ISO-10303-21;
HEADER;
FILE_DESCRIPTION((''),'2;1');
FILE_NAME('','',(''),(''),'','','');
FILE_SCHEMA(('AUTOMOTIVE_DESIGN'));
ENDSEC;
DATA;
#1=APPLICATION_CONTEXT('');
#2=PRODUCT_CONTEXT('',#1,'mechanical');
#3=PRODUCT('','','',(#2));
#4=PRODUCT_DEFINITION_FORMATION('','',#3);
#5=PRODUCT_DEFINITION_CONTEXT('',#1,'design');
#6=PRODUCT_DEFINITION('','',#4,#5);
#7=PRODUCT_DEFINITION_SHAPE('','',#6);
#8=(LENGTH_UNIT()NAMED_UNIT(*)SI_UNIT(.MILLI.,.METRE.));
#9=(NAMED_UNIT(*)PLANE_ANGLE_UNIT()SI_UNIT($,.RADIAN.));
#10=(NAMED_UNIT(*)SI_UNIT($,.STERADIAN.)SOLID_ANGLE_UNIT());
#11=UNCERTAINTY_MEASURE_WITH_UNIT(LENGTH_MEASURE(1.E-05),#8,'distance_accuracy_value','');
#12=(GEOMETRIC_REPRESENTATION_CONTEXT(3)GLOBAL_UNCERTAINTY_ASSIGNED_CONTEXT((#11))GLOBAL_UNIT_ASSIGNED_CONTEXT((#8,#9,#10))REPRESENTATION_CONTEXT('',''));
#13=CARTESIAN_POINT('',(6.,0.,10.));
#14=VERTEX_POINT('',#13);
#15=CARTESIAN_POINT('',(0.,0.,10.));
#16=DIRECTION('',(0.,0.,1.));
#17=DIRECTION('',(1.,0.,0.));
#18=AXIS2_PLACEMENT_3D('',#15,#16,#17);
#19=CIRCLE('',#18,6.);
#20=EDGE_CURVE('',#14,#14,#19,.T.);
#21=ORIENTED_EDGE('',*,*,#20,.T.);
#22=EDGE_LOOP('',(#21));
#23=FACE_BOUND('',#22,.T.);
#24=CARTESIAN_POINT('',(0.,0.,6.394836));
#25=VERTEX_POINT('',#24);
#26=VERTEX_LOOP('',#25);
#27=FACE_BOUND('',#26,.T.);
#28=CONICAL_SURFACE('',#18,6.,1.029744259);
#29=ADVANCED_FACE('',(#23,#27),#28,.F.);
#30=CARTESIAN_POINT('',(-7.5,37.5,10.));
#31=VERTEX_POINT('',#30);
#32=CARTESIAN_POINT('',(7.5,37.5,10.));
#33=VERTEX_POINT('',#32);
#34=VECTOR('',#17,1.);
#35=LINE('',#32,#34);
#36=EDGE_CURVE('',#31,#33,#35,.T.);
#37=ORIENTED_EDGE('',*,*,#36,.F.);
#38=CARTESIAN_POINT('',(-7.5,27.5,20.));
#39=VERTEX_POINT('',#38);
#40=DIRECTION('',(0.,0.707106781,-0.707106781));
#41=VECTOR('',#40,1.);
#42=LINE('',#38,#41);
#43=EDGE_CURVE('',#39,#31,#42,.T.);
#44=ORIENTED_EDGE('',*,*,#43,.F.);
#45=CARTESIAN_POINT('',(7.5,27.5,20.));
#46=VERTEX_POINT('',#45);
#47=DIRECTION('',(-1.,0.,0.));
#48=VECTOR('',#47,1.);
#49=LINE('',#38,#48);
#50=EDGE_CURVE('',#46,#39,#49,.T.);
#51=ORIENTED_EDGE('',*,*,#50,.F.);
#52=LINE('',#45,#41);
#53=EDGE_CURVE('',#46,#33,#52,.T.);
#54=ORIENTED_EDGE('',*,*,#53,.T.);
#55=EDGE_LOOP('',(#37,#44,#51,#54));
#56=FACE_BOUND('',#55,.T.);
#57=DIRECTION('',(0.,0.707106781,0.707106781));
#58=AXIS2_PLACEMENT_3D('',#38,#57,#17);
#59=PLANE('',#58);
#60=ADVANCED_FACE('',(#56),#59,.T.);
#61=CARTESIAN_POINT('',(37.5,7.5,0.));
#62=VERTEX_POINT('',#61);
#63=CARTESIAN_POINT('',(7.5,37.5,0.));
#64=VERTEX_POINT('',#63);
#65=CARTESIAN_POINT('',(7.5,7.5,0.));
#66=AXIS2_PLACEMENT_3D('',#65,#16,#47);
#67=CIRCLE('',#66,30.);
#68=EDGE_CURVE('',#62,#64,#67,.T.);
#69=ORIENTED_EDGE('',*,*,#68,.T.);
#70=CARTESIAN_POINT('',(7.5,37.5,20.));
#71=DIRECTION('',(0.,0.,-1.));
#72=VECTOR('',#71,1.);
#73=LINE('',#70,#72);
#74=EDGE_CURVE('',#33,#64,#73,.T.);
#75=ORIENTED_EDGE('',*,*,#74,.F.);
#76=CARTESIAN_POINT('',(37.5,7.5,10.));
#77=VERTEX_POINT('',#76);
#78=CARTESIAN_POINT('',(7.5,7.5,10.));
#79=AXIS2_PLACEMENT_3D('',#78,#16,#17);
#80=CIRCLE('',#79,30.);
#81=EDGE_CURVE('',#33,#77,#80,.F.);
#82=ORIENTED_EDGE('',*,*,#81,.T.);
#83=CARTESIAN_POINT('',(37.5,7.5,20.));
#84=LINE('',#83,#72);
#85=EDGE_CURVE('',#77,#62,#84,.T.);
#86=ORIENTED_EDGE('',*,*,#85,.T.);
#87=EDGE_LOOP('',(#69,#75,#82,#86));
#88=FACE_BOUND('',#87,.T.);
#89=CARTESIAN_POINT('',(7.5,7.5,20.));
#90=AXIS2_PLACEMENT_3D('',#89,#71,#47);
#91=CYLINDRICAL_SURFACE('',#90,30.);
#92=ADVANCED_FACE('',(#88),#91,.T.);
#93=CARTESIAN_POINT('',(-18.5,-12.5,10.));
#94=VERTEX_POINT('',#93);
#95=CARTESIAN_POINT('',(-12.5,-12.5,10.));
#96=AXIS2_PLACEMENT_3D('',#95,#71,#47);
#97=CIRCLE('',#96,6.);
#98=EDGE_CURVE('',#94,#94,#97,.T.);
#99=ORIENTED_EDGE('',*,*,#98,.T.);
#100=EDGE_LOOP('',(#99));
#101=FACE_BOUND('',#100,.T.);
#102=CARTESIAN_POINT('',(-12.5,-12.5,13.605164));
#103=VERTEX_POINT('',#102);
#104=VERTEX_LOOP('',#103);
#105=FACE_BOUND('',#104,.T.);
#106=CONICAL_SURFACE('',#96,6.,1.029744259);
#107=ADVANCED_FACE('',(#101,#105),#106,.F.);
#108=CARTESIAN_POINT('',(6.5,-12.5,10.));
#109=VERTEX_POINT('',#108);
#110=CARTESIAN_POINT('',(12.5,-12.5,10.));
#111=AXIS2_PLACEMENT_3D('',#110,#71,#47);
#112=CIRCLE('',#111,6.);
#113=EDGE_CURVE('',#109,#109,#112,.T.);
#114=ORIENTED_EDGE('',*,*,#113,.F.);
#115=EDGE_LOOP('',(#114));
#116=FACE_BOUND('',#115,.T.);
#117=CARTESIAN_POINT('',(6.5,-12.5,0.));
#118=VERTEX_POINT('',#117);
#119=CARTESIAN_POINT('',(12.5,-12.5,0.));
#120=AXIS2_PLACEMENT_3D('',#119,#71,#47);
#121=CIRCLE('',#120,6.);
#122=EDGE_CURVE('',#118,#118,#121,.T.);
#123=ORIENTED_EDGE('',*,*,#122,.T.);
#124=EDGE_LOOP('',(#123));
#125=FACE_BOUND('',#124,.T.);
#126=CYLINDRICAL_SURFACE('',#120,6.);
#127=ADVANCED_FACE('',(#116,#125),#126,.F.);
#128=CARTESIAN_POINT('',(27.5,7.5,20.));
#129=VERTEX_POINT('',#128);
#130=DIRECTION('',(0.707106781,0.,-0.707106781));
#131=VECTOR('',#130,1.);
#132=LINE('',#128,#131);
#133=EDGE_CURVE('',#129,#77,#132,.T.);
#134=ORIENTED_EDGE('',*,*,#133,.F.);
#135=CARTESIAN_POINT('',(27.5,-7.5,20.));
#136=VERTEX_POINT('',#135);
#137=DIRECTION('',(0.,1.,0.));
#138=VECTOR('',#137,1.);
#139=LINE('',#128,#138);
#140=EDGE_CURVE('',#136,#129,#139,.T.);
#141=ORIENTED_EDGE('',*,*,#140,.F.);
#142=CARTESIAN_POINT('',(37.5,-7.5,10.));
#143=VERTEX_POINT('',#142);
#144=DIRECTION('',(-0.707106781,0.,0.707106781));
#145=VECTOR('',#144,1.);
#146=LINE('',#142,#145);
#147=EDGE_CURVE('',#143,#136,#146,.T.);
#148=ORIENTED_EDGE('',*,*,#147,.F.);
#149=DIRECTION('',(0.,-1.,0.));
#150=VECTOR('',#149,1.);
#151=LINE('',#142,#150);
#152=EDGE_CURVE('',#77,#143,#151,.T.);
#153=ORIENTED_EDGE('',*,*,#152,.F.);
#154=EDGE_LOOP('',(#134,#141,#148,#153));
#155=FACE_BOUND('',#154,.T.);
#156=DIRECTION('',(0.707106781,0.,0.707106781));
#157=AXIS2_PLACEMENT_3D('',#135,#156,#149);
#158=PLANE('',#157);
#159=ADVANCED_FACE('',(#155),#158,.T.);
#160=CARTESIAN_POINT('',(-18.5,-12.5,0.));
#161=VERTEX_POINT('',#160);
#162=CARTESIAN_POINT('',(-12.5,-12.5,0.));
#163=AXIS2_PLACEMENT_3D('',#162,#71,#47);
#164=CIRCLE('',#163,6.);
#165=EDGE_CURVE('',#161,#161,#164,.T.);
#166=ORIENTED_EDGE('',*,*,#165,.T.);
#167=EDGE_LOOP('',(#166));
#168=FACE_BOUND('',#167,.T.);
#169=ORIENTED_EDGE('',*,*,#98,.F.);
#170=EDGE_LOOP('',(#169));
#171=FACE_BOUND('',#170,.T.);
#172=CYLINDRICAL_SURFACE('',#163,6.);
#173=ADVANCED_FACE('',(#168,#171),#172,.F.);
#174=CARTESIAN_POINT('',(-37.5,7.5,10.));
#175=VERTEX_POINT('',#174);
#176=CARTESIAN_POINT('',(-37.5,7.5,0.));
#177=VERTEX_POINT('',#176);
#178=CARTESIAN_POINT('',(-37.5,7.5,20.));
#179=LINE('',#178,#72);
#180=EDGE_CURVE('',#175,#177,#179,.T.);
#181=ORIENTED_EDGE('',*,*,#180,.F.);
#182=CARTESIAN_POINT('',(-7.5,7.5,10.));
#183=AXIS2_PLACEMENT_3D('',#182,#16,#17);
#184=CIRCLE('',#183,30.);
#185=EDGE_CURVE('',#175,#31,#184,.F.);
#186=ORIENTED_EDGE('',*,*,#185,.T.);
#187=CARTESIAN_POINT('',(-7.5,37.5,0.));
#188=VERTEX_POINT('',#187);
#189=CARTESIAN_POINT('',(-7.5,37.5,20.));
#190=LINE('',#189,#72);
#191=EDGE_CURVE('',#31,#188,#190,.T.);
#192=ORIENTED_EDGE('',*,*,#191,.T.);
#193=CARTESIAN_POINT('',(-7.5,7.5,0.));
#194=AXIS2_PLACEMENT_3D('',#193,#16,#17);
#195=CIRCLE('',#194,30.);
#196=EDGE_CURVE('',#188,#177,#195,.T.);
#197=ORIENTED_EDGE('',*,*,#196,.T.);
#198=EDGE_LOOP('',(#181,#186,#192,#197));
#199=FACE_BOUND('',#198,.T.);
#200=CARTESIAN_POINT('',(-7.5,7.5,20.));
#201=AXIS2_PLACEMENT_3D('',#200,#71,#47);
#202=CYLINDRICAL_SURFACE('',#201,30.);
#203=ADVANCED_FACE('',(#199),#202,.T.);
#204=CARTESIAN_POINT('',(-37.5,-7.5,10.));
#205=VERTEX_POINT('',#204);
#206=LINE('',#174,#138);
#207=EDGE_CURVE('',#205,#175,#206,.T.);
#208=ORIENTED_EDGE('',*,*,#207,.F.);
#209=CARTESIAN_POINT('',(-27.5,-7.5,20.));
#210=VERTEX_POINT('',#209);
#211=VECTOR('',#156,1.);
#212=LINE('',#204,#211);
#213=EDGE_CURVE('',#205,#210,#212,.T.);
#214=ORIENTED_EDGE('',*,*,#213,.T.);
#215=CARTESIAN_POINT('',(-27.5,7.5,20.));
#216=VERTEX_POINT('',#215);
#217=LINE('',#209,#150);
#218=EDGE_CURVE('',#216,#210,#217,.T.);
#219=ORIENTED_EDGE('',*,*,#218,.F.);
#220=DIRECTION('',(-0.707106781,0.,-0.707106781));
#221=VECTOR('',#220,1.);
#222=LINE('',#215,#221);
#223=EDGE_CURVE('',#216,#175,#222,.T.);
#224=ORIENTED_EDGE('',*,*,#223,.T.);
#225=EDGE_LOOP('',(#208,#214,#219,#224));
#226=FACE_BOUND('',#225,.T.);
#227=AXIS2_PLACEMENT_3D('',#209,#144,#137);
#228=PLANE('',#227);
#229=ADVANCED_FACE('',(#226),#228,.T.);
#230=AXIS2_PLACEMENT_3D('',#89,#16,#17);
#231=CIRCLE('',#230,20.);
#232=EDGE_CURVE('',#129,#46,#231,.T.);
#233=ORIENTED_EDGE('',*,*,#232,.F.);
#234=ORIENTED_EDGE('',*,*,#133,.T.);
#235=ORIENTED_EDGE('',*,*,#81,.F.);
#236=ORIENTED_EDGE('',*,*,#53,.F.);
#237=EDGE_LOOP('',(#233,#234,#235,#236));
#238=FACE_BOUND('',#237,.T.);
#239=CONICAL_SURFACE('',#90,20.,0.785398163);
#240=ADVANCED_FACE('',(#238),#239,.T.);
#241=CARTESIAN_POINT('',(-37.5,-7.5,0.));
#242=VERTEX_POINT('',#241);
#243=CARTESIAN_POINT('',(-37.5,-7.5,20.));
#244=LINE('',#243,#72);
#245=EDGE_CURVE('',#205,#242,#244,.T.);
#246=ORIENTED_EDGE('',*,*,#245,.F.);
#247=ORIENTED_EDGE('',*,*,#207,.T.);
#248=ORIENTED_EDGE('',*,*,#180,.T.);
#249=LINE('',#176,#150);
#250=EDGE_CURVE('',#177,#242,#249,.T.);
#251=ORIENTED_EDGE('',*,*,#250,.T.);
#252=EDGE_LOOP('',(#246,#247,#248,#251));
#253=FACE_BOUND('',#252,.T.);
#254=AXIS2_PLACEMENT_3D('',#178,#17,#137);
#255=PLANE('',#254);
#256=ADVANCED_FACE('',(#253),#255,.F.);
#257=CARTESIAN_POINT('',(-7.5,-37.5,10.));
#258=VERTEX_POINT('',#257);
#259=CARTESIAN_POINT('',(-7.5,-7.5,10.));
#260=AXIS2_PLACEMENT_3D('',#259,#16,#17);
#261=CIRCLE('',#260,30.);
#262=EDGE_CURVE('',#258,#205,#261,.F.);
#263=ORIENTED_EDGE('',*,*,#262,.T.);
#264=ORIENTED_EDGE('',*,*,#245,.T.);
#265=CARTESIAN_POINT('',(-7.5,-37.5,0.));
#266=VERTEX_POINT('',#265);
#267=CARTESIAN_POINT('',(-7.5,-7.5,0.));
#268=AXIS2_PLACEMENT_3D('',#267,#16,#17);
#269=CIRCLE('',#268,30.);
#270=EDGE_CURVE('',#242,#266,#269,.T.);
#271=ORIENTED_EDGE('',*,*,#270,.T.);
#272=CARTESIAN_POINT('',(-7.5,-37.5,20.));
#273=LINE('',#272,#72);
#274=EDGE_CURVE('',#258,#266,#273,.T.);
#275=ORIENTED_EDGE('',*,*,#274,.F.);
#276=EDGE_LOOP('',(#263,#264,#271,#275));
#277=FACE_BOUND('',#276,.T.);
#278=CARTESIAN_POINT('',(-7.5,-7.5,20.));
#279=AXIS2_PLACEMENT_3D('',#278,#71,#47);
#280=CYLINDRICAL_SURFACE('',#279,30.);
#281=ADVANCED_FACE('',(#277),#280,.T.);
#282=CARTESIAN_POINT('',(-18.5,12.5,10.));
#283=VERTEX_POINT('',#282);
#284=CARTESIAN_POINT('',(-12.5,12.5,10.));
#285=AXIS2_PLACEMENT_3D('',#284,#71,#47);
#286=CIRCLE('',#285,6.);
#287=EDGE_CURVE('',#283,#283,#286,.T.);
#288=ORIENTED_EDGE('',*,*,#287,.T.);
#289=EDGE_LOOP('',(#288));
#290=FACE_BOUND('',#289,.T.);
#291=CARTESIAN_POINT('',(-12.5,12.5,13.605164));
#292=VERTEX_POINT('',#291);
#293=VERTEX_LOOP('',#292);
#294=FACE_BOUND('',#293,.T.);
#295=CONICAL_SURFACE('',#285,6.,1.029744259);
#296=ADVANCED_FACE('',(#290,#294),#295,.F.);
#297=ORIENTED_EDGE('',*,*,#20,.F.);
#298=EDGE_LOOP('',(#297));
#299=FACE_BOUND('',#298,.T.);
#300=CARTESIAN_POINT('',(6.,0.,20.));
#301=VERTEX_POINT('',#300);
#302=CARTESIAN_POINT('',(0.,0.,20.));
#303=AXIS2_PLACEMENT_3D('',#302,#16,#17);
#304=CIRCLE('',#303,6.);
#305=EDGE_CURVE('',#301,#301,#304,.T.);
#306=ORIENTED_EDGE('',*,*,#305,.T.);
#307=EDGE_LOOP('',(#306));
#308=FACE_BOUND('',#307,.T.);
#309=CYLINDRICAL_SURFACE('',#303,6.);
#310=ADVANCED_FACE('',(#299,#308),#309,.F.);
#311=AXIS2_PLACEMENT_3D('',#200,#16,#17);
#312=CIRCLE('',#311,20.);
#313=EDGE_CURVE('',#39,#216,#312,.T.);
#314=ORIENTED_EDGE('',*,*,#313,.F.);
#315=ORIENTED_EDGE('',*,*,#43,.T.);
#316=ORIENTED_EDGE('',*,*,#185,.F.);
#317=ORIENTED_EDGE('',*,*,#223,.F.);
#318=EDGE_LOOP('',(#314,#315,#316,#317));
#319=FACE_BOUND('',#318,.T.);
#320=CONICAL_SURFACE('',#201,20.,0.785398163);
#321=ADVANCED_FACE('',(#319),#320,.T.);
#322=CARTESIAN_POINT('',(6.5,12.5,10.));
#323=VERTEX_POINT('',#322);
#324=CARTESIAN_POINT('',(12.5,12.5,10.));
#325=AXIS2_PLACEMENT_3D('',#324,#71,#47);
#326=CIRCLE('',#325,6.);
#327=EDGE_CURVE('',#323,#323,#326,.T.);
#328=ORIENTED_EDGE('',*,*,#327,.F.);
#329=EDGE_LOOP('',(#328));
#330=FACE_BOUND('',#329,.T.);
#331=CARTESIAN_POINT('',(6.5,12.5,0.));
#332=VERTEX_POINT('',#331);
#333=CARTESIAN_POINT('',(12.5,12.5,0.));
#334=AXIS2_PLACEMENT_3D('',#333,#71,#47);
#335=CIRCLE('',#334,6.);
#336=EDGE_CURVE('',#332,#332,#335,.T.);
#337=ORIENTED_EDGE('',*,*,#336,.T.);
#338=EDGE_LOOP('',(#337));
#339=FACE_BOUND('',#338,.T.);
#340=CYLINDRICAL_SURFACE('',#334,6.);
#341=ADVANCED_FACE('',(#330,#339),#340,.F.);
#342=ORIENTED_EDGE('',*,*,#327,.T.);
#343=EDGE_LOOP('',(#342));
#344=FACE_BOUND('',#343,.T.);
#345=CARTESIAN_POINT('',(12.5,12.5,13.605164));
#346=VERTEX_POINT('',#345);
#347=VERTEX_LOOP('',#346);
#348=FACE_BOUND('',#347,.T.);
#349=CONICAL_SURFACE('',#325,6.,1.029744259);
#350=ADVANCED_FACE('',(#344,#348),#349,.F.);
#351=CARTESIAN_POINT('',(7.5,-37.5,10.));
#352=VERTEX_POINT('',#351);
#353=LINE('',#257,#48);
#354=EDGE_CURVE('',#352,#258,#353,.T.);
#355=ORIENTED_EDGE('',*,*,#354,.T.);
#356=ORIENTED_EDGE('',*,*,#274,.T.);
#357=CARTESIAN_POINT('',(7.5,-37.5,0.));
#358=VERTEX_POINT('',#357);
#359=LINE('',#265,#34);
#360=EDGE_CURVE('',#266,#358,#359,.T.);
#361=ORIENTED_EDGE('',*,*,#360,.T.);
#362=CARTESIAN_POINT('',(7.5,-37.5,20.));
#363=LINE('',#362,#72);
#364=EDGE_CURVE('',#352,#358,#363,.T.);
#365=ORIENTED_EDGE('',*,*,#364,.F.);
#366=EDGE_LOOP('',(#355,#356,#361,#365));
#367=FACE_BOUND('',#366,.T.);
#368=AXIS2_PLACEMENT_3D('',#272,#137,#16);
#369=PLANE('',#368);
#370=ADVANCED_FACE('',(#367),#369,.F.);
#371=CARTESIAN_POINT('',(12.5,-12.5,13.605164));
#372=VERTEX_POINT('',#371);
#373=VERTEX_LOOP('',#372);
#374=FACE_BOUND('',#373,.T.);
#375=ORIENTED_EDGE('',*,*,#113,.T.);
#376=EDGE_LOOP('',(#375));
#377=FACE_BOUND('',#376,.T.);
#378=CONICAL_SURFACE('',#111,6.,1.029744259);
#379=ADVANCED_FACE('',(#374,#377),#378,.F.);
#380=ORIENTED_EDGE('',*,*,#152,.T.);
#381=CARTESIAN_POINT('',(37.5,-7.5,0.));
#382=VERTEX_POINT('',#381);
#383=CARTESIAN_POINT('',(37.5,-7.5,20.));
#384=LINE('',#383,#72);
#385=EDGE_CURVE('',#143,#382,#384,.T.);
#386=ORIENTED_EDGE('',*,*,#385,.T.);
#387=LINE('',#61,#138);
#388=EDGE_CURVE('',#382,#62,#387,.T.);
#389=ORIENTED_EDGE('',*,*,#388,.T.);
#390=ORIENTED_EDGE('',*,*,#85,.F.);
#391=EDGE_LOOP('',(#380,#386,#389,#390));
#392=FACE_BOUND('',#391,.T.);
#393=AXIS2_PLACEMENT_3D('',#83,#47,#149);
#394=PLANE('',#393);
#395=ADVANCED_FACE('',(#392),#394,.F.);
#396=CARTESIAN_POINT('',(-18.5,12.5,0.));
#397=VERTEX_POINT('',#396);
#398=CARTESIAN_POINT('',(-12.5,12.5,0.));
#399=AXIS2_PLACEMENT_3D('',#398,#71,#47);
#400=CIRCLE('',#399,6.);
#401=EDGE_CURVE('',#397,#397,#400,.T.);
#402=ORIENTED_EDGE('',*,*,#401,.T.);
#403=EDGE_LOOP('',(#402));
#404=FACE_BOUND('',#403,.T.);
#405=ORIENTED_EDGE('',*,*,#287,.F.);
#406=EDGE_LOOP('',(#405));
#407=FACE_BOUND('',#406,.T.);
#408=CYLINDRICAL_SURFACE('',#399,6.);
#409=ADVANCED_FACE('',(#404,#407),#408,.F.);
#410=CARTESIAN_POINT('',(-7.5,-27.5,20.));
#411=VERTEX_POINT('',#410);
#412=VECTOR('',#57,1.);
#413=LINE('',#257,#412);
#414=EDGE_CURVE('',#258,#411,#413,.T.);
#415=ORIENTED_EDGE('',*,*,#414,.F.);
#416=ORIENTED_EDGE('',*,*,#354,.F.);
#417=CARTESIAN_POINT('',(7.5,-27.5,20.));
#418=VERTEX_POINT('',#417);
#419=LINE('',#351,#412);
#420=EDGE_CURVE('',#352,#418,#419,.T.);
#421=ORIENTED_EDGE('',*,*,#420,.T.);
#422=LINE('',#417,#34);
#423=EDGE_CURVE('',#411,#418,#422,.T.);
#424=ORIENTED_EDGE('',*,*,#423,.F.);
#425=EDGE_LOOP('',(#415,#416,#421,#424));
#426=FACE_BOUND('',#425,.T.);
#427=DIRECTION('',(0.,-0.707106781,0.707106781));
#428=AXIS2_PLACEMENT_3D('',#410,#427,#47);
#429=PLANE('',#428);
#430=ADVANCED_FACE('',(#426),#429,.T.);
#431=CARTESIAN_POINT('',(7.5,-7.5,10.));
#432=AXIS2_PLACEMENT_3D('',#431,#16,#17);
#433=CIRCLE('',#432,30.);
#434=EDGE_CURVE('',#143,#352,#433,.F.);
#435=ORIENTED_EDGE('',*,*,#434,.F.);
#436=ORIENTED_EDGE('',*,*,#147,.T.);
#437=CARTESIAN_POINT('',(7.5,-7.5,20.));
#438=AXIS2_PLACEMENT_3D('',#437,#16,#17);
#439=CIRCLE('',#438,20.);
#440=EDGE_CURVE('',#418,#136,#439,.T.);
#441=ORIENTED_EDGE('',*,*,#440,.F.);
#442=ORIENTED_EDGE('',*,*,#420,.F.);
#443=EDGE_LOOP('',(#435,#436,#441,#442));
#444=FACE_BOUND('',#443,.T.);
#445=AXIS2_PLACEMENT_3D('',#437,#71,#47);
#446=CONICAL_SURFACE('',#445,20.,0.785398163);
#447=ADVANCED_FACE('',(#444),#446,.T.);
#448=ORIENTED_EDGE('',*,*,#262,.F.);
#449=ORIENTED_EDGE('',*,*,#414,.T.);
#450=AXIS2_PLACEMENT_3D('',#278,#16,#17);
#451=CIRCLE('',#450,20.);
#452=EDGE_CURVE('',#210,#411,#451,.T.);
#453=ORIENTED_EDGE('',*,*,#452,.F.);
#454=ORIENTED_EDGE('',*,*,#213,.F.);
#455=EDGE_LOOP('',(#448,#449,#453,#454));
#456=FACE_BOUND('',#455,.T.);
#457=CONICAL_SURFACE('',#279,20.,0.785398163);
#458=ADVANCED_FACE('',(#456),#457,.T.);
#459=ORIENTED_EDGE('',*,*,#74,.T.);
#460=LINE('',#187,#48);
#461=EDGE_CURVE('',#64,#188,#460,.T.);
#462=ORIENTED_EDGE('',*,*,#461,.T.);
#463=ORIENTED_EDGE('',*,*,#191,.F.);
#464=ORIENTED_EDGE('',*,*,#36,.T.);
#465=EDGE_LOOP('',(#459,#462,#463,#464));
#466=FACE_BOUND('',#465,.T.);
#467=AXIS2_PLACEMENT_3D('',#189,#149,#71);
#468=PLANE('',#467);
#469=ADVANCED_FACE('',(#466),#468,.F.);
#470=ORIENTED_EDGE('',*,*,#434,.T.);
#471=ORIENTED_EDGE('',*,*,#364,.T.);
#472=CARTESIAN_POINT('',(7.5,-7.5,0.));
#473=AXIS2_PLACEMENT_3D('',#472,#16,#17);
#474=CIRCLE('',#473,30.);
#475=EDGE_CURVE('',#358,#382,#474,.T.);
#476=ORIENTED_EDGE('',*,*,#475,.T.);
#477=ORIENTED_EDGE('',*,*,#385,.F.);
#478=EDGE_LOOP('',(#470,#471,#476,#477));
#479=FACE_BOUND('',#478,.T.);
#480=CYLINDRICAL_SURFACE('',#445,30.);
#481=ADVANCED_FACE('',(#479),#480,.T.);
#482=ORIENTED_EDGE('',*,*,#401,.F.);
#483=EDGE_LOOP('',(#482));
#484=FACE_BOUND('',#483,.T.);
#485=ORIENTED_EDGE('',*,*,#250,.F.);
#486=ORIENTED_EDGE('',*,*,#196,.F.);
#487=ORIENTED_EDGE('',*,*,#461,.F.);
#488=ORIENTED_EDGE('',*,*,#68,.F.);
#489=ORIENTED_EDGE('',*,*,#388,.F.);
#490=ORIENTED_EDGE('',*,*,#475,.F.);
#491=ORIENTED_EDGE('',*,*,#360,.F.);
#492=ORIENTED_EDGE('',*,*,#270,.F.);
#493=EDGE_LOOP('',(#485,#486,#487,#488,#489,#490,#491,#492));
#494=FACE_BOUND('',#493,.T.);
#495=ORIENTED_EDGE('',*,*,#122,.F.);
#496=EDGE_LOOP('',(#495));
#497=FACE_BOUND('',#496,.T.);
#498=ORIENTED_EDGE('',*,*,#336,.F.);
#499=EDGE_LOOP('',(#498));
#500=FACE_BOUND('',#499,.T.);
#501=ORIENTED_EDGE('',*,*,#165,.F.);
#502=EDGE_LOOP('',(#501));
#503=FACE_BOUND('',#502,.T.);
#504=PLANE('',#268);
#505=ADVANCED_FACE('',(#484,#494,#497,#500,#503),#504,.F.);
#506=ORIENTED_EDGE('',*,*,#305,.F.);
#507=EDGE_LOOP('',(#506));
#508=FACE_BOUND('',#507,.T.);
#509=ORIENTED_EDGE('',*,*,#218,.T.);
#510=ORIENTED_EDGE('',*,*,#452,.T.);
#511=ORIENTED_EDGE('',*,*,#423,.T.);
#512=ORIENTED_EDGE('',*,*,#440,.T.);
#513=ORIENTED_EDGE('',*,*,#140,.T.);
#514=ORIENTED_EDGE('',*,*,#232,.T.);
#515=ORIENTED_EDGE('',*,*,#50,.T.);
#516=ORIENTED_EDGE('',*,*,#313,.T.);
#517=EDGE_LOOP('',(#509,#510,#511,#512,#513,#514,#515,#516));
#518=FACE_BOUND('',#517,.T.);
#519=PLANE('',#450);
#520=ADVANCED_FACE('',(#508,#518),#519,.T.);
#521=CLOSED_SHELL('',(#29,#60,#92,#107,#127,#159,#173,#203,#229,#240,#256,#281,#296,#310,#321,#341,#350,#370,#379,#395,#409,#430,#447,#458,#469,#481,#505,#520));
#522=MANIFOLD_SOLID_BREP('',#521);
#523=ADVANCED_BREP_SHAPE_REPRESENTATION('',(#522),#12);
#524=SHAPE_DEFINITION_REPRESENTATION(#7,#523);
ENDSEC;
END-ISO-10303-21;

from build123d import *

# Parameters (mm, degrees)
SALIENTE_EXTRUIR3_DEPTH = 20
CHAFL_N1_SIZE           = 10
TALADRO2_D              = 12
TALADRO2_DEPTH          = 10
TALADRO2_TIP            = 3.605163714
TALADRO3_D              = 12
TALADRO3_DEPTH          = 10
TALADRO3_TIP            = 3.605163714


with BuildPart() as part:
    # Croquis1 → Saliente-Extruir3 (new body)
    with BuildSketch(Plane.XY):
        with BuildLine():
            Line((-7.5, 37.5), (7.5, 37.5))
            ThreePointArc((7.5, 37.5), (28.713203436, 28.713203436), (37.5, 7.5))
            Line((37.5, 7.5), (37.5, -7.5))
            ThreePointArc((37.5, -7.5), (28.713203436, -28.713203436), (7.5, -37.5))
            Line((7.5, -37.5), (-7.5, -37.5))
            ThreePointArc((-7.5, -37.5), (-28.713203436, -28.713203436), (-37.5, -7.5))
            Line((-37.5, -7.5), (-37.5, 7.5))
            ThreePointArc((-37.5, 7.5), (-28.713203436, 28.713203436), (-7.5, 37.5))
        make_face()
    extrude(amount=SALIENTE_EXTRUIR3_DEPTH)

    # Chaflán1
    chafl_n1_edges = [part.edges().sort_by_distance(p)[0] for p in [
        (28.713203436, -28.713203436, 20),
        (37.5, 0, 20),
        (28.713203436, 28.713203436, 20),
        (0, 37.5, 20),
        (-28.713203436, 28.713203436, 20),
        (-37.5, 0, 20),
        (-28.713203436, -28.713203436, 20),
        (0, -37.5, 20),
    ]]
    chamfer(chafl_n1_edges, length=CHAFL_N1_SIZE)

    # Taladro2
    with Locations(Plane(origin=(0, 0, 0), x_dir=(-1, 0, 0), z_dir=(0, 0, -1))):
        with Locations((-12.5, 12.5), (-12.5, -12.5), (12.5, -12.5), (12.5, 12.5)):
            Hole(TALADRO2_D / 2, depth=TALADRO2_DEPTH)
            with Locations((0, 0, -(TALADRO2_DEPTH + TALADRO2_TIP / 2))):  # 118° drill point
                Cone(0, TALADRO2_D / 2, TALADRO2_TIP, mode=Mode.SUBTRACT)

    # Taladro3
    with Locations(Plane.XY.offset(20)):
        with Locations((0, 0)):
            Hole(TALADRO3_D / 2, depth=TALADRO3_DEPTH)
            with Locations((0, 0, -(TALADRO3_DEPTH + TALADRO3_TIP / 2))):  # 118° drill point
                Cone(0, TALADRO3_D / 2, TALADRO3_TIP, mode=Mode.SUBTRACT)


solid = part.part
